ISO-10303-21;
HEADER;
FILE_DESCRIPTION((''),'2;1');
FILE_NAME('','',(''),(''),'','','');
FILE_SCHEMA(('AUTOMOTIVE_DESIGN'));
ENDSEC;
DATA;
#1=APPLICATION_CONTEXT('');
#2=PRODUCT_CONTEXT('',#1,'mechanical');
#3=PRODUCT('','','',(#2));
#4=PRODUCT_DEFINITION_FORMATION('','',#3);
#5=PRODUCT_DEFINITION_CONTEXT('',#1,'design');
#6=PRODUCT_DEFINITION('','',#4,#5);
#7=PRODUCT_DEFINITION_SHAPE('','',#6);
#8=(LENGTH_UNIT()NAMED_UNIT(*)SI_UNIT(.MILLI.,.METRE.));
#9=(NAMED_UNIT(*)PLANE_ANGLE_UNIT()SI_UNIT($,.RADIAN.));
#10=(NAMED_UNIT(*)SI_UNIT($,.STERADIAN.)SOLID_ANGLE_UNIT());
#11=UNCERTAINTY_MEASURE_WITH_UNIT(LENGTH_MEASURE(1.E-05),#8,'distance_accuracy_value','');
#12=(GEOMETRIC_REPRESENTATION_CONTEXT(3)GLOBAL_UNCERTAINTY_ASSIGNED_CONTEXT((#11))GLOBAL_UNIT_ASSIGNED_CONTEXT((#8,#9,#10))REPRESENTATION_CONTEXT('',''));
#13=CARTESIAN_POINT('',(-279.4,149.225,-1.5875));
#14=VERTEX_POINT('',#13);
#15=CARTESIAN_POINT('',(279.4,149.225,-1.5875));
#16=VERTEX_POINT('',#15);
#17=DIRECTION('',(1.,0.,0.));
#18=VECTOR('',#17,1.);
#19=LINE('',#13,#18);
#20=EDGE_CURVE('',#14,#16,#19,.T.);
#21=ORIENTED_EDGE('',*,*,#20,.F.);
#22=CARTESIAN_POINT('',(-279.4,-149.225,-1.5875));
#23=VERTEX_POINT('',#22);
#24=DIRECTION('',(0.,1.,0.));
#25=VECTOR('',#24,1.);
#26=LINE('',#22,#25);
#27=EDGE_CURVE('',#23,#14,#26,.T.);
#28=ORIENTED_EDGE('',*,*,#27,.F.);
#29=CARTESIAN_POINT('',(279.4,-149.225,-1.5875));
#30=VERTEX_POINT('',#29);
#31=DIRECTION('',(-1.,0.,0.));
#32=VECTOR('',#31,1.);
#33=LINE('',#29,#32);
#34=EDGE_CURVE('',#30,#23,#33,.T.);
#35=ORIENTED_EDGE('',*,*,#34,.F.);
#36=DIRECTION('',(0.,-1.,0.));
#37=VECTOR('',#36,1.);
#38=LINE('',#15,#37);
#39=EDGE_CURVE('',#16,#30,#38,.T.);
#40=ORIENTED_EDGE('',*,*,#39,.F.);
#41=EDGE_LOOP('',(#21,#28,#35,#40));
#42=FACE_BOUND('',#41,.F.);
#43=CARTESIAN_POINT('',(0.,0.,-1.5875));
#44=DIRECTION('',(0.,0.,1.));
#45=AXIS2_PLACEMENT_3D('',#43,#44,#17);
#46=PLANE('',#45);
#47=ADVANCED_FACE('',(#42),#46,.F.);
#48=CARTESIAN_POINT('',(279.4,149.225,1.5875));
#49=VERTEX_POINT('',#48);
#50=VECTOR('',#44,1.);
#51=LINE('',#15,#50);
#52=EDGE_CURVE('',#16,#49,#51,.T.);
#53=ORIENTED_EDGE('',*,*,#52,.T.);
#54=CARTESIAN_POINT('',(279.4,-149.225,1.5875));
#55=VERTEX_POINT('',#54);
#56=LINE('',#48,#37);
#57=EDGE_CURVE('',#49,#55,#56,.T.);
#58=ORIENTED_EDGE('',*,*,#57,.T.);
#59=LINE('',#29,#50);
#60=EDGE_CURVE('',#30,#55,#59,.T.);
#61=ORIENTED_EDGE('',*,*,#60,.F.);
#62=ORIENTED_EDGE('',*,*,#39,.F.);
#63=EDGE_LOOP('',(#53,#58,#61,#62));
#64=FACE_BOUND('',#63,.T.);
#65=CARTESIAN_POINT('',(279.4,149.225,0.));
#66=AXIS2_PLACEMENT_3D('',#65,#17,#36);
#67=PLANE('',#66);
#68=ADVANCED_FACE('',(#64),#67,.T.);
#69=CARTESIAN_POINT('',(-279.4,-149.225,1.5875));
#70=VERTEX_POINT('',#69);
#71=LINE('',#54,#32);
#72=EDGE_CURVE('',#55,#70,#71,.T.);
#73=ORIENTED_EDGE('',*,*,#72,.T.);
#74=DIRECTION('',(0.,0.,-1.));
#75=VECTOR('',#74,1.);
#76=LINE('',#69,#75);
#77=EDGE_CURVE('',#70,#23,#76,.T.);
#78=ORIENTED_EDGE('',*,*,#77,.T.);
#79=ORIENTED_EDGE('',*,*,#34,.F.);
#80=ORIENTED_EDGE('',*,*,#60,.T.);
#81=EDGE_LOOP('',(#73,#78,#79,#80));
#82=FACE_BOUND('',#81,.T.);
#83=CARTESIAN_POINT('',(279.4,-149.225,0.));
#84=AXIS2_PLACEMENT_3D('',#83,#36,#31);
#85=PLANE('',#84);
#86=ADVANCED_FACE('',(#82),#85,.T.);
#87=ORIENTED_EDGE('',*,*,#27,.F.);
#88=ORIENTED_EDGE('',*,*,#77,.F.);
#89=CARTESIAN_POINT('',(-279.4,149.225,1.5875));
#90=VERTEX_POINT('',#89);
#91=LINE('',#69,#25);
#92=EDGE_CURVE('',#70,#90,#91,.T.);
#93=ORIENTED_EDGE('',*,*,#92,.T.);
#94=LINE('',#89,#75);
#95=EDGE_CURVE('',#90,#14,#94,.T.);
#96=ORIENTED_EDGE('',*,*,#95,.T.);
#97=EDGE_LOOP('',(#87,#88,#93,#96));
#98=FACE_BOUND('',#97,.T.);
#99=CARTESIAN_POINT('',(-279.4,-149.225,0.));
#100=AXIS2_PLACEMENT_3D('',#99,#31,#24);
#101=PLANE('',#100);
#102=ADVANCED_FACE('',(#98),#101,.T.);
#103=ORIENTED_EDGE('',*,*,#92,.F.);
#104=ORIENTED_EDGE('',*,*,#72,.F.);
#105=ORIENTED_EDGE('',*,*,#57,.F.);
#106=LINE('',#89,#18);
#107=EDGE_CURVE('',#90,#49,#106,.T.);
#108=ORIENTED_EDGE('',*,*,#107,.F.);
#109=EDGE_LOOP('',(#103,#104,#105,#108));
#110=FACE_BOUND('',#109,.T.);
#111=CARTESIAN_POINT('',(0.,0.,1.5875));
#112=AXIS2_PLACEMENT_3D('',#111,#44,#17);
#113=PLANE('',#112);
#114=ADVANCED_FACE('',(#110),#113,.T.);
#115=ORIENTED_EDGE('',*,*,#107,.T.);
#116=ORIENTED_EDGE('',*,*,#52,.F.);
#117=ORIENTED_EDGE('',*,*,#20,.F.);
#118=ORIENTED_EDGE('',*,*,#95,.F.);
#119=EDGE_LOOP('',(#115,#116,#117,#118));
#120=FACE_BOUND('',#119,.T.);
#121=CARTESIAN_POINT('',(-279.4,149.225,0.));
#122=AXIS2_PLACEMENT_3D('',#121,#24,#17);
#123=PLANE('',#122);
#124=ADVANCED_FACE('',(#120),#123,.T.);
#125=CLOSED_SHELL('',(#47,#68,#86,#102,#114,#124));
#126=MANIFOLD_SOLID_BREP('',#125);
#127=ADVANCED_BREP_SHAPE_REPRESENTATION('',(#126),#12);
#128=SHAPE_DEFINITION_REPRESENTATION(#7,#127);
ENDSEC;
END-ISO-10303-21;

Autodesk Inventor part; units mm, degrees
ref_plane "YZ Plane" through (0, 0, 0) normal (1, 0, 0) x (0, 1, 0)
ref_plane "XZ Plane" through (0, 0, 0) normal (0, 1, 0) x (-1, 0, 0)
ref_plane "XY Plane" through (0, 0, 0) normal (0, 0, 1) x (1, 0, 0)
sketch "Sketch1" plane through (0, 0, 0) normal (0, 0, 1) x (1, 0, 0)
  line L0 (279.4, -149.225) -> (-279.4, -149.225)
  line L1 (-279.4, -149.225) -> (-279.4, 149.225)
  line L2 (-279.4, 149.225) -> (279.4, 149.225)
  line L3 (279.4, 149.225) -> (279.4, -149.225)
  line L4 (279.4, -149.225) -> (-279.4, 149.225) construction
  line L5 (-279.4, -149.225) -> (279.4, 149.225) construction
  point P0 (0, 0)
  dimension "d0" = 558.8
  dimension "d1" = 298.45
extrude "Extrusion1" add sketch "Sketch1" along normal mid plane 3.175
properties part number "Intake_backboard"
